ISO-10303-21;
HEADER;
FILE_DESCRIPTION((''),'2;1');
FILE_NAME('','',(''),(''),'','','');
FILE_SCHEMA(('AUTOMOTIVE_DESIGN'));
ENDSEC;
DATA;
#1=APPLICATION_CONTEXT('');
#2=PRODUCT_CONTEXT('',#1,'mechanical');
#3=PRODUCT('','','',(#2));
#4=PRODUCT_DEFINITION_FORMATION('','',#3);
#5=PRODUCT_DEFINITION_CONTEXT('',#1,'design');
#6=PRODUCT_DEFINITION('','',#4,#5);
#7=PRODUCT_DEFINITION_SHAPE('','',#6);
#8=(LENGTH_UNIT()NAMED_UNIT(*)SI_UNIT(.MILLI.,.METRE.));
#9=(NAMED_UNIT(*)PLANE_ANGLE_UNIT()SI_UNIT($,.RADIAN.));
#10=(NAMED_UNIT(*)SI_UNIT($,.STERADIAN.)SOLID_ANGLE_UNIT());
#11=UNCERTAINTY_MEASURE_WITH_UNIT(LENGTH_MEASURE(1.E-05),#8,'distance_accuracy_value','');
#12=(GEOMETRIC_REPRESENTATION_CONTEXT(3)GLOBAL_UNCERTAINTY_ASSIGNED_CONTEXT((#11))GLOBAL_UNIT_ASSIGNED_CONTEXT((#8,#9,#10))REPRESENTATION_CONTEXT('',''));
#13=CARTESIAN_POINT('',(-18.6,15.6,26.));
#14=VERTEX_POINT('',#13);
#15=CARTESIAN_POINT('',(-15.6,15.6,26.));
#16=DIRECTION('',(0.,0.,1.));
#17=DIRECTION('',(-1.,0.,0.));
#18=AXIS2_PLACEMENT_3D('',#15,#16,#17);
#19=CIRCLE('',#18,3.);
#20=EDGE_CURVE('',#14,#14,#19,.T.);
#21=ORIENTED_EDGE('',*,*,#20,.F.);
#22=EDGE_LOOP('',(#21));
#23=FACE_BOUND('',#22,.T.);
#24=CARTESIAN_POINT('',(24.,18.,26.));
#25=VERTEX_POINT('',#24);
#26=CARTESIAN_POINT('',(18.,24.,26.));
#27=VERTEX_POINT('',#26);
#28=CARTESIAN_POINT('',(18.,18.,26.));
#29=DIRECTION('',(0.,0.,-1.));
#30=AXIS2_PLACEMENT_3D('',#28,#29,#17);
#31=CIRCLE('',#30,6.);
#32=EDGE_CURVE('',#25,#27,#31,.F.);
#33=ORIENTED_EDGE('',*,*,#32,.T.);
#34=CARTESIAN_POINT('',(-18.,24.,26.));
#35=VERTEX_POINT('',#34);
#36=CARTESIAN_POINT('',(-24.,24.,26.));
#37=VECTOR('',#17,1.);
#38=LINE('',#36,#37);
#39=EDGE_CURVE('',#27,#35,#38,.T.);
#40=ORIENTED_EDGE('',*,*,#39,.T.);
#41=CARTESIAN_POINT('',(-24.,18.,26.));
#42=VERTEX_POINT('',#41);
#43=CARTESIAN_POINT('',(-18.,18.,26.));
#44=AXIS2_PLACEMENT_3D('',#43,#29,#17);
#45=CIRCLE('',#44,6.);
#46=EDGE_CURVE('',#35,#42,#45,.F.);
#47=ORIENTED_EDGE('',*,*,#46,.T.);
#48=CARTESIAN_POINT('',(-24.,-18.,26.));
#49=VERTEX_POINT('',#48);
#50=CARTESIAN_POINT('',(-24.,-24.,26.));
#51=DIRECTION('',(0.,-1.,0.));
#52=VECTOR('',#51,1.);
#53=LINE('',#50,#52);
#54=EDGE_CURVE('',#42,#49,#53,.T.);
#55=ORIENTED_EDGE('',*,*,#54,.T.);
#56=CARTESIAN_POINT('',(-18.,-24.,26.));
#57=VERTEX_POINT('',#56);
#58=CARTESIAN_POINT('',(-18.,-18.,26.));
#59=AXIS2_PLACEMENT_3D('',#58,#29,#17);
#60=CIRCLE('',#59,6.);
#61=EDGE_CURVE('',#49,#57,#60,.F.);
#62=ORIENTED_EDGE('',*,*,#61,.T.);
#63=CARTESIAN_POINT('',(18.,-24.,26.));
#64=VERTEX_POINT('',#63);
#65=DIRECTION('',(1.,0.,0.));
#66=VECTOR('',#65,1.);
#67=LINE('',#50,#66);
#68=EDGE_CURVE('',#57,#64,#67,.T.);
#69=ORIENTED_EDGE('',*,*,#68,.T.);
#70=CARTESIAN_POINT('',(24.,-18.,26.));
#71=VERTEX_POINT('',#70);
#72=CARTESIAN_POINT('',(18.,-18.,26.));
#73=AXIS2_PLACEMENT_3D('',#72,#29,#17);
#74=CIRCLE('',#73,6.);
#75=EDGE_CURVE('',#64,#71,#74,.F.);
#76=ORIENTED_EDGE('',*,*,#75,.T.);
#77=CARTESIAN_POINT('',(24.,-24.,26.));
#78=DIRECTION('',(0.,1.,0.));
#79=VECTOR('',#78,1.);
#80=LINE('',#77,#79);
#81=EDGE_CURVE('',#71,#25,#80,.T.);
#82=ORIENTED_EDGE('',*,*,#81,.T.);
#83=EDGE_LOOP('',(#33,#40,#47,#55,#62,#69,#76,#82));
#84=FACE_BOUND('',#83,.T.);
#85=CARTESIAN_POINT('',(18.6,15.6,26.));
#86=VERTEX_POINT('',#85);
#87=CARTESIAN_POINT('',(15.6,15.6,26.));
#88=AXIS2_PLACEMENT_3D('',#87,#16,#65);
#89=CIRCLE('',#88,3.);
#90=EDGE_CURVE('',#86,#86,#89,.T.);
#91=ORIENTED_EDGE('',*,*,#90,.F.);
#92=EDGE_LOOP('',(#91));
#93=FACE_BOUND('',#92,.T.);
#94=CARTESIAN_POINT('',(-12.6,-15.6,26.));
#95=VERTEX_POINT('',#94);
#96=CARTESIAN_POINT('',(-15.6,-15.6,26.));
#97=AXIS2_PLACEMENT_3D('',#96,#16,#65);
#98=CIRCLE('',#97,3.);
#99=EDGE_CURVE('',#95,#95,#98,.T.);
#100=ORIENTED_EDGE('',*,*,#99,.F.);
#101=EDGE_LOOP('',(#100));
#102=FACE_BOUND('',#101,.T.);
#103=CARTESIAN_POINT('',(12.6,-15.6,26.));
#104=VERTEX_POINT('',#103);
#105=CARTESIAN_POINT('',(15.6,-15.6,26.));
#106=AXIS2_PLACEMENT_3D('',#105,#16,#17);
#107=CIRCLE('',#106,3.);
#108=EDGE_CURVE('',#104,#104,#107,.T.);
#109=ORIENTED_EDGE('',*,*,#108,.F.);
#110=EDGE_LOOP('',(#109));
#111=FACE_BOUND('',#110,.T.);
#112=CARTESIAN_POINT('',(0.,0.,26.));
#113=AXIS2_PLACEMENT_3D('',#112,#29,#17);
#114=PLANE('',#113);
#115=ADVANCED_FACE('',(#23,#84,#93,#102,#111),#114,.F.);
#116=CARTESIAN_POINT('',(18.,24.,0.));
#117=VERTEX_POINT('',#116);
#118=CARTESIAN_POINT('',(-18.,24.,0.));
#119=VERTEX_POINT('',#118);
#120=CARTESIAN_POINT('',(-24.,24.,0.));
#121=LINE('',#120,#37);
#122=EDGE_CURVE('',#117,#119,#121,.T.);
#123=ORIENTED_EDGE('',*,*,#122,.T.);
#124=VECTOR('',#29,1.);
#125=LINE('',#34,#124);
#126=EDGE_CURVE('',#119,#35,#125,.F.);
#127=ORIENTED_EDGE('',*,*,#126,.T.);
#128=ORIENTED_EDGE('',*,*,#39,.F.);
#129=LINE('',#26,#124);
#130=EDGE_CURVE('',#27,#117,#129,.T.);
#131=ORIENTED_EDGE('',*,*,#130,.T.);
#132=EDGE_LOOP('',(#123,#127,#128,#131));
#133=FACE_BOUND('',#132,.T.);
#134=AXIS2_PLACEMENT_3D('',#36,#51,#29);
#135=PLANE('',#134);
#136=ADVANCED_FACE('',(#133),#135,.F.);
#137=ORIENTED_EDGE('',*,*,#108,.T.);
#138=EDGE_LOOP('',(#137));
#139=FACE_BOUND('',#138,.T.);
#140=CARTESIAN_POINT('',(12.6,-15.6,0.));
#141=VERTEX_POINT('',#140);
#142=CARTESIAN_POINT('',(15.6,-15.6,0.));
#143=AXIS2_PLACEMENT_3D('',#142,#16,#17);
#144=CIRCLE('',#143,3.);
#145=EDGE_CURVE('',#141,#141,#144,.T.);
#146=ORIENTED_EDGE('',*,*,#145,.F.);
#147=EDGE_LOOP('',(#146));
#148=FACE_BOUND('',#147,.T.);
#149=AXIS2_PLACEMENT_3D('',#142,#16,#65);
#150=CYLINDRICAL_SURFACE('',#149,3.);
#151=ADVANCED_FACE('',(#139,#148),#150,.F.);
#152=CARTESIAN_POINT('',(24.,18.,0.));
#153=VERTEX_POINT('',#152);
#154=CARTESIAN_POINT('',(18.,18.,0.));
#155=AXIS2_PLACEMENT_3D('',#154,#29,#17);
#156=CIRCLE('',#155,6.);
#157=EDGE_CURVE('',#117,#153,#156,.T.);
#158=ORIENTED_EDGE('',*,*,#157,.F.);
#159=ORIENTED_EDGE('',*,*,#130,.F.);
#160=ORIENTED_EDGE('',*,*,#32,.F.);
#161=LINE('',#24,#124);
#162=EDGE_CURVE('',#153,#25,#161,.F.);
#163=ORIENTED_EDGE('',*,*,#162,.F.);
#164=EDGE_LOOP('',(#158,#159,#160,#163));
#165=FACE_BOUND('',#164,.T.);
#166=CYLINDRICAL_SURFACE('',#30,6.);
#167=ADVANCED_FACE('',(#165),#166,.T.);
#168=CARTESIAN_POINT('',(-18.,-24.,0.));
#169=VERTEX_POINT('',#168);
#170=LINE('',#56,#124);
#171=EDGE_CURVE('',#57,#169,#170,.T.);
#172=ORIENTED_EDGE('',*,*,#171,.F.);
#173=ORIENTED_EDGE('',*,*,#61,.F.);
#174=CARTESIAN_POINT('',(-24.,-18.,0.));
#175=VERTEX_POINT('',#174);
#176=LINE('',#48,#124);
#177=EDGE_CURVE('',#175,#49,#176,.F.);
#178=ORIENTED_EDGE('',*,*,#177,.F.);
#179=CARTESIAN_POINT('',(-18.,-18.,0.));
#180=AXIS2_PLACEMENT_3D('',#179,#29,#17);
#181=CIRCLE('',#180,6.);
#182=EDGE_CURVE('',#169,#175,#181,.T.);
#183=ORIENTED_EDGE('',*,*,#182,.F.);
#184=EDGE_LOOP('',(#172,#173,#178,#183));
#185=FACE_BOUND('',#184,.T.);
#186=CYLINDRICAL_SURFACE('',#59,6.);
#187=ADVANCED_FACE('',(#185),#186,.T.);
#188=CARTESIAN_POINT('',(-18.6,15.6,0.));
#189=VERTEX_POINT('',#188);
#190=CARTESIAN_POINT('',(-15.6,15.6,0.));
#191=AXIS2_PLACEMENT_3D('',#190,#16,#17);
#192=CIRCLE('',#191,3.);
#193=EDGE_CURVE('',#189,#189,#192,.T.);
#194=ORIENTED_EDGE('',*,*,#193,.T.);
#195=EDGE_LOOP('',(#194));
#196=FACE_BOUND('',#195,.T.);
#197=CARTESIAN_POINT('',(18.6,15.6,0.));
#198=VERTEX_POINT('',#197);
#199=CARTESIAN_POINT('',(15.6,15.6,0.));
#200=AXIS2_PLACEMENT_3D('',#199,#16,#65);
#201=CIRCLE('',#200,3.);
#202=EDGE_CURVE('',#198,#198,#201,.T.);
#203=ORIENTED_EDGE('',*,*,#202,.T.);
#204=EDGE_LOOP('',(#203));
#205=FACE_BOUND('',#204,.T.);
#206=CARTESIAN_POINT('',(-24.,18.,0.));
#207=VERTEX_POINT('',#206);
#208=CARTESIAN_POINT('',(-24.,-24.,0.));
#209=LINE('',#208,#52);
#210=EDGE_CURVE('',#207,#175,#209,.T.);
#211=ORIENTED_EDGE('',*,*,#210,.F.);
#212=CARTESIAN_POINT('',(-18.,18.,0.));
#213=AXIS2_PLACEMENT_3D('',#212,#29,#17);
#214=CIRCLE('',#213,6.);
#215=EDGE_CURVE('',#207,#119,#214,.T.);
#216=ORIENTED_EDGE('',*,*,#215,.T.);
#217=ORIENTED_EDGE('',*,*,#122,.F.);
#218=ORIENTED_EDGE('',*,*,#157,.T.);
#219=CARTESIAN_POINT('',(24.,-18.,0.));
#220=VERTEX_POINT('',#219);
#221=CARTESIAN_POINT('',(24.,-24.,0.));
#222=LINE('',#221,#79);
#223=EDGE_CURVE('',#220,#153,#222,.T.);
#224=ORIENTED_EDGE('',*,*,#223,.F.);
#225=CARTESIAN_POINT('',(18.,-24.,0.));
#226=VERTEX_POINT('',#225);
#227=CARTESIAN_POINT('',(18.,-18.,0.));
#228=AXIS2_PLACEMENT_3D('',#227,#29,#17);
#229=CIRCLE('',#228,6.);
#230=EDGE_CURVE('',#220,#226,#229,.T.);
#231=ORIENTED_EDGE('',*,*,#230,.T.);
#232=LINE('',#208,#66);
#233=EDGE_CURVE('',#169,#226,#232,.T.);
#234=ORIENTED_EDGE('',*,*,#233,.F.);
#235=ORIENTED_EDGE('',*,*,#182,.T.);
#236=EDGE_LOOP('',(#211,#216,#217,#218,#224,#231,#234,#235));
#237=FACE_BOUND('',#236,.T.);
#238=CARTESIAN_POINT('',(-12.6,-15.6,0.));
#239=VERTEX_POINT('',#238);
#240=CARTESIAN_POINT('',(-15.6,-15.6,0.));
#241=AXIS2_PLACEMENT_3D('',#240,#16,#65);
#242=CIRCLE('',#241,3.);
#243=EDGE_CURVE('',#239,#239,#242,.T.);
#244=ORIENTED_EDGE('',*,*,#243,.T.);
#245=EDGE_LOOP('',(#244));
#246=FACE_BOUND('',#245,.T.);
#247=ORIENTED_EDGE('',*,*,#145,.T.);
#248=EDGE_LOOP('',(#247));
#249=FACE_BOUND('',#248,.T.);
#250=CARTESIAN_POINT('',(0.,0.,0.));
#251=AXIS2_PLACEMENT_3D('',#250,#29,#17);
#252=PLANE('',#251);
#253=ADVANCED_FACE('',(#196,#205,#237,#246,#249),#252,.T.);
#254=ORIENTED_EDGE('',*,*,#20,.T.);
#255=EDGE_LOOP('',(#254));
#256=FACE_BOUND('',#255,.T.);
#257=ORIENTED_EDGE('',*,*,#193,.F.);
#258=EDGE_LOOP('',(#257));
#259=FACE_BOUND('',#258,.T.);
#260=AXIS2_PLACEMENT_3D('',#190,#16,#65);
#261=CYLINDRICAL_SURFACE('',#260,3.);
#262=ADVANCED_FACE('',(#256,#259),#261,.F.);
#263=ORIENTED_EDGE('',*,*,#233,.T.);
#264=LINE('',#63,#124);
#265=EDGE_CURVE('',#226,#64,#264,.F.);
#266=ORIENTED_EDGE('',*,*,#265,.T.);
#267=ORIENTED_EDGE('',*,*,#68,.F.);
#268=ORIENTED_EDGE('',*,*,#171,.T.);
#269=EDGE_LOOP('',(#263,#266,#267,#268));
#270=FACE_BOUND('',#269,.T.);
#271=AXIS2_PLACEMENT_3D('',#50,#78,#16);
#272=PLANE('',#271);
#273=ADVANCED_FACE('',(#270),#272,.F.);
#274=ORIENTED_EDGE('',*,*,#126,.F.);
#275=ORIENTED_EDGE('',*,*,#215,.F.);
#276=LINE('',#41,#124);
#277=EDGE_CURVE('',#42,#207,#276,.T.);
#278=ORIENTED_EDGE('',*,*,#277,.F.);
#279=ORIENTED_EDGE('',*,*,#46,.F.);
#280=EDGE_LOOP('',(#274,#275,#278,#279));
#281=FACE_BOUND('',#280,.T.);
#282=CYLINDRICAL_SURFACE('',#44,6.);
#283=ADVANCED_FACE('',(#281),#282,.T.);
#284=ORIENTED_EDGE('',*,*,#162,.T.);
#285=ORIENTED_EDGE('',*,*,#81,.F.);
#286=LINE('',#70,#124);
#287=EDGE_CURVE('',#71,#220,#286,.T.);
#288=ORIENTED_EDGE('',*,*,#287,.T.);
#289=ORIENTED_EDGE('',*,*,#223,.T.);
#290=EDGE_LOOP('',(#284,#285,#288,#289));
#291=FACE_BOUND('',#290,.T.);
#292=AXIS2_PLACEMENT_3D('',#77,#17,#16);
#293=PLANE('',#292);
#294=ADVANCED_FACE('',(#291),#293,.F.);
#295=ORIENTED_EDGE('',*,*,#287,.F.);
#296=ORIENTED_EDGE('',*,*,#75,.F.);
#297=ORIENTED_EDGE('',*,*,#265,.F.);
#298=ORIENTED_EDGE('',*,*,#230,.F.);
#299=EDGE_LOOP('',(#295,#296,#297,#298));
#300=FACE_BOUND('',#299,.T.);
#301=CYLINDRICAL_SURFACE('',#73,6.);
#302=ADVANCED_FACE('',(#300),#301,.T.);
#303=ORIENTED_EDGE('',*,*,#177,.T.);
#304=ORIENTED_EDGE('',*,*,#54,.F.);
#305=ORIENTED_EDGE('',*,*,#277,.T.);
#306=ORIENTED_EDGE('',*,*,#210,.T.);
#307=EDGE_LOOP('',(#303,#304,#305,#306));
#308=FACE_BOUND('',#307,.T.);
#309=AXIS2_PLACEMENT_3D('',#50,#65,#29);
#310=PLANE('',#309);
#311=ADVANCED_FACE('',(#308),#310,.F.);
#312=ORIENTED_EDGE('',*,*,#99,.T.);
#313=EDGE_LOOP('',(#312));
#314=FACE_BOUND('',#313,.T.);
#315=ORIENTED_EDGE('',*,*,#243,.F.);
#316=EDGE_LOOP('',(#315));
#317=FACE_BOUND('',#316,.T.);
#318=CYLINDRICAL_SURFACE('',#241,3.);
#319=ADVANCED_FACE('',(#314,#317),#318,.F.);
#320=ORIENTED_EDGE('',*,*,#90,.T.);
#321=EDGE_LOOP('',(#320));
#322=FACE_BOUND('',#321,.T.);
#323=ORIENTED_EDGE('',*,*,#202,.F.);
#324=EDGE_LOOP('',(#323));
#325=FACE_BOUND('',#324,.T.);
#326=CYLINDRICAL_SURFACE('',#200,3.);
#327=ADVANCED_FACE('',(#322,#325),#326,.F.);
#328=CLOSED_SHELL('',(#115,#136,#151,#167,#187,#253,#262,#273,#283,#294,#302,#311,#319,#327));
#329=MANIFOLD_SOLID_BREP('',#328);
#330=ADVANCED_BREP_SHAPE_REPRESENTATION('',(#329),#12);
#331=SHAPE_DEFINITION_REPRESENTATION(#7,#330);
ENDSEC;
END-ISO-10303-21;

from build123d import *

# Parameters (mm, degrees)
ESBO_O1_W                = 48
ESBO_O1_H                = 48
RESSALTO_EXTRUS_O1_DEPTH = 26
ESBO_O3_R                = 3
CORTE_EXTRUS_O2_DEPTH    = 27
FILETE2_R                = 6


with BuildPart() as part:
    # Esboço1 → Ressalto-extrusão1 (new body)
    with BuildSketch(Plane.XY):
        Rectangle(ESBO_O1_W, ESBO_O1_H)
    extrude(amount=RESSALTO_EXTRUS_O1_DEPTH)

    # Esboço3 → Corte-extrusão2 (cut, through all)
    with BuildSketch(Plane.XY.offset(26)):
        with Locations((-15.6, -15.6)):
            Circle(ESBO_O3_R)
        with Locations((-15.6, 15.6)):
            Circle(ESBO_O3_R)
        with Locations((15.6, -15.6)):
            Circle(ESBO_O3_R)
        with Locations((15.6, 15.6)):
            Circle(ESBO_O3_R)
    extrude(amount=-CORTE_EXTRUS_O2_DEPTH, mode=Mode.SUBTRACT)

    # Filete2
    filete2_edges = [part.edges().sort_by_distance(p)[0] for p in [
        (24, -24, 13),
        (-24, -24, 13),
        (-24, 24, 13),
        (24, 24, 13),
    ]]
    fillet(filete2_edges, radius=FILETE2_R)


solid = part.part
